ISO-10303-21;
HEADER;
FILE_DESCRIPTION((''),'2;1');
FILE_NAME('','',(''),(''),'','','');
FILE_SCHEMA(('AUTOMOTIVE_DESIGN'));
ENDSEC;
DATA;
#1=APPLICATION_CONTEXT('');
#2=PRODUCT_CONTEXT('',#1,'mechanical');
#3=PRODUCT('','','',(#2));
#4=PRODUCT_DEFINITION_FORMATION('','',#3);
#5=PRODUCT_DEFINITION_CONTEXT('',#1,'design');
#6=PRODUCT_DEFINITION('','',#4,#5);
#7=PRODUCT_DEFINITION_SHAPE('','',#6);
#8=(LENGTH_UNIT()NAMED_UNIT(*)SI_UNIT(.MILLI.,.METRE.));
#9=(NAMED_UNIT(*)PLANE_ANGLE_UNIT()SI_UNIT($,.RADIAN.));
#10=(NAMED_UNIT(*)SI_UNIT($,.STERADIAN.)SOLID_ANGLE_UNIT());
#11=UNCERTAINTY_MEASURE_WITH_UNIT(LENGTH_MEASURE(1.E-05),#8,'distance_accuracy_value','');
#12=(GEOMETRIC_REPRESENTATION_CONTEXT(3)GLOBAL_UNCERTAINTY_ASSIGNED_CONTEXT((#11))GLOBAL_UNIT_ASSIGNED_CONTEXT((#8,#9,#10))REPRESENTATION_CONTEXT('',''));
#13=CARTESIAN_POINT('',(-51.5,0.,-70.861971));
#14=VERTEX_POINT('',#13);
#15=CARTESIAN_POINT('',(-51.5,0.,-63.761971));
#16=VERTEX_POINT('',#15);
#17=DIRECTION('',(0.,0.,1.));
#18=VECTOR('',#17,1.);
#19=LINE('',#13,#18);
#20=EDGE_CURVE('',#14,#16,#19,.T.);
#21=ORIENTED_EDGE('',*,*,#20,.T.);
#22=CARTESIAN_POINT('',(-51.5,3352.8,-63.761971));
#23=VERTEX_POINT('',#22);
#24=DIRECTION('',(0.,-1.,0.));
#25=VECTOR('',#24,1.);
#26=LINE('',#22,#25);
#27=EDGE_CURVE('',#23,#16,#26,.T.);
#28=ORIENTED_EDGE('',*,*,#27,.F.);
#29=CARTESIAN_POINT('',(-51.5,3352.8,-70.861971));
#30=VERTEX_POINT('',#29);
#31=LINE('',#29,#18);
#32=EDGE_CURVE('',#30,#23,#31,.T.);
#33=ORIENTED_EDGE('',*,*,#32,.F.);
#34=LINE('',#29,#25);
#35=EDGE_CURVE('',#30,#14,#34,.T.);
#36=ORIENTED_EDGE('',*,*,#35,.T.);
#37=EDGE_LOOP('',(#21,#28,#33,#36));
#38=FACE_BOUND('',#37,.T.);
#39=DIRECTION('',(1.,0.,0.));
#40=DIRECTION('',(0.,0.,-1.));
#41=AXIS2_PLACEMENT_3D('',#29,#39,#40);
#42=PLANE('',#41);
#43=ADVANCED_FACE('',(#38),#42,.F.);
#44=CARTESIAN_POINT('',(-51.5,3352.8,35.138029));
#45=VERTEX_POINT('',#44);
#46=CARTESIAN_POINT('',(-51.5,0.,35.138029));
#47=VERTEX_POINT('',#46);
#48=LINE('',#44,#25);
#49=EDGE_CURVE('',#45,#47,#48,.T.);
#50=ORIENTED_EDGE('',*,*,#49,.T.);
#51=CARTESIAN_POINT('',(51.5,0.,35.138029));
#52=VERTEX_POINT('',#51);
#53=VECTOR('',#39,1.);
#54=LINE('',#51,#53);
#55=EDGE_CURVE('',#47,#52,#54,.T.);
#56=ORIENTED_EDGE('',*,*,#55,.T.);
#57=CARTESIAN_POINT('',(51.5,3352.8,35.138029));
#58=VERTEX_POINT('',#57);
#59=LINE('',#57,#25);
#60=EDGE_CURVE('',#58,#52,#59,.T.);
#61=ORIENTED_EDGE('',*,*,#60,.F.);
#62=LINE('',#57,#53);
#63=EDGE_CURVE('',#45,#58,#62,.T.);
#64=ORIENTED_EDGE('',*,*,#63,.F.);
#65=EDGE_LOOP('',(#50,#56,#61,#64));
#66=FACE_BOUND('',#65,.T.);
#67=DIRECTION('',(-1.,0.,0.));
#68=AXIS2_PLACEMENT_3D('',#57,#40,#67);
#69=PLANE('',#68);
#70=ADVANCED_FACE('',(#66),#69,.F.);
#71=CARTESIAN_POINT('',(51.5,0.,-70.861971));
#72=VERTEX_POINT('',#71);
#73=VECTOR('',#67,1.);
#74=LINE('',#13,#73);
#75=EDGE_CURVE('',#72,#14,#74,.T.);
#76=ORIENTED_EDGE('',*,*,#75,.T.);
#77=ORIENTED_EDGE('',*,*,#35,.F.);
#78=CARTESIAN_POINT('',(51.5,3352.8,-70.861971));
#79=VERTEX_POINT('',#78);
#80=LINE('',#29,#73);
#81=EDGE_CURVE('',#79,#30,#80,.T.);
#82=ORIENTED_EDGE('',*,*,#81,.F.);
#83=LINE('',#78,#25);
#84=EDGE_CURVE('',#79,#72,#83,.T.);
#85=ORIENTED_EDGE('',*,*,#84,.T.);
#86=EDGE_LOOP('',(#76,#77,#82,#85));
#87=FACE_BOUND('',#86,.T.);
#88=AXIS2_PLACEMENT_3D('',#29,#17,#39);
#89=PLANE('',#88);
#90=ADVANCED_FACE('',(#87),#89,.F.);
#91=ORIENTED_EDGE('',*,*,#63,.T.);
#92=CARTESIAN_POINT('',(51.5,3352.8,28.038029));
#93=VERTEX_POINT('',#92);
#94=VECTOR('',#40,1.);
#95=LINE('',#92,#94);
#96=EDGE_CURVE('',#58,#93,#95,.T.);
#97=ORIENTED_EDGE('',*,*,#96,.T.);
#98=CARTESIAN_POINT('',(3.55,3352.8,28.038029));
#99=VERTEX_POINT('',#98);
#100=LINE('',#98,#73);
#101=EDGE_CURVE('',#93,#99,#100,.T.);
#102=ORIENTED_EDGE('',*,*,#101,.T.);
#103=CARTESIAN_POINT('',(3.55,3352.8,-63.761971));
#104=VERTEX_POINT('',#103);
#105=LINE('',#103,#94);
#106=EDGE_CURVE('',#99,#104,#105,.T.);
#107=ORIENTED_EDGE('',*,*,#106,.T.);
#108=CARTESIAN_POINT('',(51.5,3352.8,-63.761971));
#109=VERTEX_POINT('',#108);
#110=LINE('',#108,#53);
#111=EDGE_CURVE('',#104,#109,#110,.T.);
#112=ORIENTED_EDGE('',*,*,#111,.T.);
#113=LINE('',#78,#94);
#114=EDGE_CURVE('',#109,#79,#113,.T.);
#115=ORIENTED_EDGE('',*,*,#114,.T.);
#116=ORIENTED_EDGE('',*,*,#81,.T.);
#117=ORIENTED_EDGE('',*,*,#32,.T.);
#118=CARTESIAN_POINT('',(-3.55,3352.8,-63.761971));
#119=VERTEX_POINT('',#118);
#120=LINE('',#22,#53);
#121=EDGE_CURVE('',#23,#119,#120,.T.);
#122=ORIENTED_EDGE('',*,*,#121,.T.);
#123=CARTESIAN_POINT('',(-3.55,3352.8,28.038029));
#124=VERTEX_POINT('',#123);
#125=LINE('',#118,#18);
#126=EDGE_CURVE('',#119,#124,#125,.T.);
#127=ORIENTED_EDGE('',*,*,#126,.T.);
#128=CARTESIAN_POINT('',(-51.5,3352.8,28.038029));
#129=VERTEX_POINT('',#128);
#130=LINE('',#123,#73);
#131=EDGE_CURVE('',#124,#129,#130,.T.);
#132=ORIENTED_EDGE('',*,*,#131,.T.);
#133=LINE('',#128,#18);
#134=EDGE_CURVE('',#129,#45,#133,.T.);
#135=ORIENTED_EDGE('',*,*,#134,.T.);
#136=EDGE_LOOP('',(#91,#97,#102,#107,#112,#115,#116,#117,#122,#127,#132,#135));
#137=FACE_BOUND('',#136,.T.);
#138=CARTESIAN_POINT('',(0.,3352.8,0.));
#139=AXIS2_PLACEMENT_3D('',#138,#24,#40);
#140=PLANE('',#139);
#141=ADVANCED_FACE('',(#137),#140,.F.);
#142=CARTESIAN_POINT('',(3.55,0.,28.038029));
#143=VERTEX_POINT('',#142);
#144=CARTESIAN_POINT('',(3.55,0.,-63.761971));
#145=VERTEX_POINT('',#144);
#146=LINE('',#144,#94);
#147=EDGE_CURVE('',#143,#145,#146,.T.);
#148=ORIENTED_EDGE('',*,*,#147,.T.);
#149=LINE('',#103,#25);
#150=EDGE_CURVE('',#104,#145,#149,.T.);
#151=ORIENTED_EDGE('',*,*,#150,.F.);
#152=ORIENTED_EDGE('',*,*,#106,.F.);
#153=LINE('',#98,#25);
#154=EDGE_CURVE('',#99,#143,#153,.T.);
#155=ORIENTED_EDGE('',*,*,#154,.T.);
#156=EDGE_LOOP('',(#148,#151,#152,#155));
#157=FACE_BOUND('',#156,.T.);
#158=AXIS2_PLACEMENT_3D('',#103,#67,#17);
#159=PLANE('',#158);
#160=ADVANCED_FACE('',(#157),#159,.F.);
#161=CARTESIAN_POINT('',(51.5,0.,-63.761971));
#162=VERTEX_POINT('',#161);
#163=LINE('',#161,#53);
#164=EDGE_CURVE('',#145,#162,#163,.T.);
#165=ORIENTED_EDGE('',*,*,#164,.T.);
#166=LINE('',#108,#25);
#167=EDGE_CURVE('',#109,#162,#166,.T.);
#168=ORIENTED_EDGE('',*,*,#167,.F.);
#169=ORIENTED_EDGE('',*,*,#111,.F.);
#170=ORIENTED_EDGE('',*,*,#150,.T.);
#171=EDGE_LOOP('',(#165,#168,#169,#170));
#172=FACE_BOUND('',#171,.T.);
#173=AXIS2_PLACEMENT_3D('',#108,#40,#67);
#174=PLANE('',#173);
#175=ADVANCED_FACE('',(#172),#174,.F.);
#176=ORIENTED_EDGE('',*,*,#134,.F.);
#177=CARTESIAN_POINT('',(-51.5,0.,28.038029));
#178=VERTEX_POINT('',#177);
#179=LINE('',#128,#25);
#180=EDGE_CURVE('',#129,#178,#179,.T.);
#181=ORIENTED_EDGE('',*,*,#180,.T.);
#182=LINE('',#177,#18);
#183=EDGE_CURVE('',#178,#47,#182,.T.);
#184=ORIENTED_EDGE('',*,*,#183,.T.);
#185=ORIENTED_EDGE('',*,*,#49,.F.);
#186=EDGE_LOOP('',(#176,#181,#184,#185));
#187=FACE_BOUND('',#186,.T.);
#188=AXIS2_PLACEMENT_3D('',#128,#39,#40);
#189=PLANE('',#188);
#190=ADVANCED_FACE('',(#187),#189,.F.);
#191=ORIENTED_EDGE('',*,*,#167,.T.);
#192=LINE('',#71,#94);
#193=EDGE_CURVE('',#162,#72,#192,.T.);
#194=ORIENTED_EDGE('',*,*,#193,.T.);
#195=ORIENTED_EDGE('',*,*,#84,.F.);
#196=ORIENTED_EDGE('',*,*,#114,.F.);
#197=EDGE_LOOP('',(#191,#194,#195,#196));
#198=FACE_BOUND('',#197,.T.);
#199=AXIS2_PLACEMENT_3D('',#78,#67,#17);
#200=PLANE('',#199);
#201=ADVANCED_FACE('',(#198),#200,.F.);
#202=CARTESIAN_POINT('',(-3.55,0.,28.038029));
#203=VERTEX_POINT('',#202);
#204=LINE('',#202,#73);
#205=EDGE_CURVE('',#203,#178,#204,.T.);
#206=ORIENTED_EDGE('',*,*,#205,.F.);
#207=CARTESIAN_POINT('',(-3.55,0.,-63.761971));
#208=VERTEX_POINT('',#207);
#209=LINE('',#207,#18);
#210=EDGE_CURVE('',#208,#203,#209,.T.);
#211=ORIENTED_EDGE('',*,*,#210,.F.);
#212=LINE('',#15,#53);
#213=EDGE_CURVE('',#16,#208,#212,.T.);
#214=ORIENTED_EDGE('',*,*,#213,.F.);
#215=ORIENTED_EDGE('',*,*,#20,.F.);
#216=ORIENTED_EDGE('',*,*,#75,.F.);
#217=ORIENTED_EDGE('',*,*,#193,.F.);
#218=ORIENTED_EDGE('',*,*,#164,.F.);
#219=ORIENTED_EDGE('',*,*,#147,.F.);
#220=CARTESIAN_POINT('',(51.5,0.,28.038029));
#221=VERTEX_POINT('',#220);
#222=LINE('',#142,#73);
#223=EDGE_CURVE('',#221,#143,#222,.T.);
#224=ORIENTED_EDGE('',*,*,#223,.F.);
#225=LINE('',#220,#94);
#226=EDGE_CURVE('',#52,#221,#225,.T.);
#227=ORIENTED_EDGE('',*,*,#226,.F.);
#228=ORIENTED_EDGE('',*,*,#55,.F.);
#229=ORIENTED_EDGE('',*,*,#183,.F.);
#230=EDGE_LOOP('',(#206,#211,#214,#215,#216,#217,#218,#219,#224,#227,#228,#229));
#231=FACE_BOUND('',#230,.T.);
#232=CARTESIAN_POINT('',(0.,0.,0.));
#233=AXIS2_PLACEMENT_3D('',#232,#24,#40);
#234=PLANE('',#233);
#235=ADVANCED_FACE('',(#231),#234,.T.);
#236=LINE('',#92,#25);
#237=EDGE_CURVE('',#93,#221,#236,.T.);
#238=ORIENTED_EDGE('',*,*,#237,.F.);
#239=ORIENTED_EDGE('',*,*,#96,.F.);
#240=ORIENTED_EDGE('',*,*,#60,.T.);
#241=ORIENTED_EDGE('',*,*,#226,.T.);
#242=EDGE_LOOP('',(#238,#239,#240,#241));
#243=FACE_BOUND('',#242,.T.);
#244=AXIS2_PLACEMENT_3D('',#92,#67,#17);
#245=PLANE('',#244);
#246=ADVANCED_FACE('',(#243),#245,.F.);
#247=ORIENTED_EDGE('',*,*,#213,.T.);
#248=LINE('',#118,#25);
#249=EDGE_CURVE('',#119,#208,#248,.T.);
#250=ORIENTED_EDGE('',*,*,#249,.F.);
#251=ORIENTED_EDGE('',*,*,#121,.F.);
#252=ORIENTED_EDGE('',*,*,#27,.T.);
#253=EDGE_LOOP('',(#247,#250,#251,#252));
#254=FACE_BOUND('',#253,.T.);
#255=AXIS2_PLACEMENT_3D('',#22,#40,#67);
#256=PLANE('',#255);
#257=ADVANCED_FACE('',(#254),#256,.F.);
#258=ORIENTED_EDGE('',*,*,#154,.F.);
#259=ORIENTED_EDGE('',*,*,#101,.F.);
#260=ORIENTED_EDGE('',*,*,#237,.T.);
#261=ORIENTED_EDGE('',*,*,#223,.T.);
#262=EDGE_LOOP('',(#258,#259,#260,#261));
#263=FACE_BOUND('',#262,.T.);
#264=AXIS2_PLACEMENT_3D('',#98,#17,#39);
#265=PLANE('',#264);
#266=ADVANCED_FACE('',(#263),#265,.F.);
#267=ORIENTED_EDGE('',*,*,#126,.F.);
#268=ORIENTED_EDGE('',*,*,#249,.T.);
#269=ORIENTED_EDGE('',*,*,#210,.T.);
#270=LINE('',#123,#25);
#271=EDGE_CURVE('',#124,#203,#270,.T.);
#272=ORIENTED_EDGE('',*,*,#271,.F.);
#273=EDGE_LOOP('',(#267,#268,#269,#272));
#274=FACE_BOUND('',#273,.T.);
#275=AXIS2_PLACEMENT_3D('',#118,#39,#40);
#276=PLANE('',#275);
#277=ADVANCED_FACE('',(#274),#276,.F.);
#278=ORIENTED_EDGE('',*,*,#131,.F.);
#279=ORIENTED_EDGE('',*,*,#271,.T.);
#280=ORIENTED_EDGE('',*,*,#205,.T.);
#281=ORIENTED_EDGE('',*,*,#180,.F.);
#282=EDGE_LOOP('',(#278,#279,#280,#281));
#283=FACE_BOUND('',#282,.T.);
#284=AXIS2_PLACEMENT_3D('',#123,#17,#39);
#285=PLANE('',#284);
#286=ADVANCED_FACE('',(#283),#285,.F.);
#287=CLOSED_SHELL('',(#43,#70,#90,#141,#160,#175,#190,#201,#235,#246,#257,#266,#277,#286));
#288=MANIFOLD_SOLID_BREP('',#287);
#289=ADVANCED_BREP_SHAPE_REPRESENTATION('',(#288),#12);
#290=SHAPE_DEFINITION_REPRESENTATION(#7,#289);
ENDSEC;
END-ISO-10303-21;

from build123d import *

# Parameters (mm, degrees)
BOSS_EXTRUDE1_DEPTH = 3352.8


with BuildPart() as part:
    # Sketch1 → Boss-Extrude1 (new body)
    with BuildSketch(Plane(origin=(0, 0, 0), x_dir=(1, 0, 0), z_dir=(0, 1, 0))):
        Polygon((-51.5, 70.861970597), (51.5, 70.861970597), (51.5, 63.761970597), (3.55, 63.761970597), (3.55, -28.038029403), (51.5, -28.038029403), (51.5, -35.138029403), (-51.5, -35.138029403), (-51.5, -28.038029403), (-3.55, -28.038029403), (-3.55, 63.761970597), (-51.5, 63.761970597), align=None)
    extrude(amount=BOSS_EXTRUDE1_DEPTH)


solid = part.part
